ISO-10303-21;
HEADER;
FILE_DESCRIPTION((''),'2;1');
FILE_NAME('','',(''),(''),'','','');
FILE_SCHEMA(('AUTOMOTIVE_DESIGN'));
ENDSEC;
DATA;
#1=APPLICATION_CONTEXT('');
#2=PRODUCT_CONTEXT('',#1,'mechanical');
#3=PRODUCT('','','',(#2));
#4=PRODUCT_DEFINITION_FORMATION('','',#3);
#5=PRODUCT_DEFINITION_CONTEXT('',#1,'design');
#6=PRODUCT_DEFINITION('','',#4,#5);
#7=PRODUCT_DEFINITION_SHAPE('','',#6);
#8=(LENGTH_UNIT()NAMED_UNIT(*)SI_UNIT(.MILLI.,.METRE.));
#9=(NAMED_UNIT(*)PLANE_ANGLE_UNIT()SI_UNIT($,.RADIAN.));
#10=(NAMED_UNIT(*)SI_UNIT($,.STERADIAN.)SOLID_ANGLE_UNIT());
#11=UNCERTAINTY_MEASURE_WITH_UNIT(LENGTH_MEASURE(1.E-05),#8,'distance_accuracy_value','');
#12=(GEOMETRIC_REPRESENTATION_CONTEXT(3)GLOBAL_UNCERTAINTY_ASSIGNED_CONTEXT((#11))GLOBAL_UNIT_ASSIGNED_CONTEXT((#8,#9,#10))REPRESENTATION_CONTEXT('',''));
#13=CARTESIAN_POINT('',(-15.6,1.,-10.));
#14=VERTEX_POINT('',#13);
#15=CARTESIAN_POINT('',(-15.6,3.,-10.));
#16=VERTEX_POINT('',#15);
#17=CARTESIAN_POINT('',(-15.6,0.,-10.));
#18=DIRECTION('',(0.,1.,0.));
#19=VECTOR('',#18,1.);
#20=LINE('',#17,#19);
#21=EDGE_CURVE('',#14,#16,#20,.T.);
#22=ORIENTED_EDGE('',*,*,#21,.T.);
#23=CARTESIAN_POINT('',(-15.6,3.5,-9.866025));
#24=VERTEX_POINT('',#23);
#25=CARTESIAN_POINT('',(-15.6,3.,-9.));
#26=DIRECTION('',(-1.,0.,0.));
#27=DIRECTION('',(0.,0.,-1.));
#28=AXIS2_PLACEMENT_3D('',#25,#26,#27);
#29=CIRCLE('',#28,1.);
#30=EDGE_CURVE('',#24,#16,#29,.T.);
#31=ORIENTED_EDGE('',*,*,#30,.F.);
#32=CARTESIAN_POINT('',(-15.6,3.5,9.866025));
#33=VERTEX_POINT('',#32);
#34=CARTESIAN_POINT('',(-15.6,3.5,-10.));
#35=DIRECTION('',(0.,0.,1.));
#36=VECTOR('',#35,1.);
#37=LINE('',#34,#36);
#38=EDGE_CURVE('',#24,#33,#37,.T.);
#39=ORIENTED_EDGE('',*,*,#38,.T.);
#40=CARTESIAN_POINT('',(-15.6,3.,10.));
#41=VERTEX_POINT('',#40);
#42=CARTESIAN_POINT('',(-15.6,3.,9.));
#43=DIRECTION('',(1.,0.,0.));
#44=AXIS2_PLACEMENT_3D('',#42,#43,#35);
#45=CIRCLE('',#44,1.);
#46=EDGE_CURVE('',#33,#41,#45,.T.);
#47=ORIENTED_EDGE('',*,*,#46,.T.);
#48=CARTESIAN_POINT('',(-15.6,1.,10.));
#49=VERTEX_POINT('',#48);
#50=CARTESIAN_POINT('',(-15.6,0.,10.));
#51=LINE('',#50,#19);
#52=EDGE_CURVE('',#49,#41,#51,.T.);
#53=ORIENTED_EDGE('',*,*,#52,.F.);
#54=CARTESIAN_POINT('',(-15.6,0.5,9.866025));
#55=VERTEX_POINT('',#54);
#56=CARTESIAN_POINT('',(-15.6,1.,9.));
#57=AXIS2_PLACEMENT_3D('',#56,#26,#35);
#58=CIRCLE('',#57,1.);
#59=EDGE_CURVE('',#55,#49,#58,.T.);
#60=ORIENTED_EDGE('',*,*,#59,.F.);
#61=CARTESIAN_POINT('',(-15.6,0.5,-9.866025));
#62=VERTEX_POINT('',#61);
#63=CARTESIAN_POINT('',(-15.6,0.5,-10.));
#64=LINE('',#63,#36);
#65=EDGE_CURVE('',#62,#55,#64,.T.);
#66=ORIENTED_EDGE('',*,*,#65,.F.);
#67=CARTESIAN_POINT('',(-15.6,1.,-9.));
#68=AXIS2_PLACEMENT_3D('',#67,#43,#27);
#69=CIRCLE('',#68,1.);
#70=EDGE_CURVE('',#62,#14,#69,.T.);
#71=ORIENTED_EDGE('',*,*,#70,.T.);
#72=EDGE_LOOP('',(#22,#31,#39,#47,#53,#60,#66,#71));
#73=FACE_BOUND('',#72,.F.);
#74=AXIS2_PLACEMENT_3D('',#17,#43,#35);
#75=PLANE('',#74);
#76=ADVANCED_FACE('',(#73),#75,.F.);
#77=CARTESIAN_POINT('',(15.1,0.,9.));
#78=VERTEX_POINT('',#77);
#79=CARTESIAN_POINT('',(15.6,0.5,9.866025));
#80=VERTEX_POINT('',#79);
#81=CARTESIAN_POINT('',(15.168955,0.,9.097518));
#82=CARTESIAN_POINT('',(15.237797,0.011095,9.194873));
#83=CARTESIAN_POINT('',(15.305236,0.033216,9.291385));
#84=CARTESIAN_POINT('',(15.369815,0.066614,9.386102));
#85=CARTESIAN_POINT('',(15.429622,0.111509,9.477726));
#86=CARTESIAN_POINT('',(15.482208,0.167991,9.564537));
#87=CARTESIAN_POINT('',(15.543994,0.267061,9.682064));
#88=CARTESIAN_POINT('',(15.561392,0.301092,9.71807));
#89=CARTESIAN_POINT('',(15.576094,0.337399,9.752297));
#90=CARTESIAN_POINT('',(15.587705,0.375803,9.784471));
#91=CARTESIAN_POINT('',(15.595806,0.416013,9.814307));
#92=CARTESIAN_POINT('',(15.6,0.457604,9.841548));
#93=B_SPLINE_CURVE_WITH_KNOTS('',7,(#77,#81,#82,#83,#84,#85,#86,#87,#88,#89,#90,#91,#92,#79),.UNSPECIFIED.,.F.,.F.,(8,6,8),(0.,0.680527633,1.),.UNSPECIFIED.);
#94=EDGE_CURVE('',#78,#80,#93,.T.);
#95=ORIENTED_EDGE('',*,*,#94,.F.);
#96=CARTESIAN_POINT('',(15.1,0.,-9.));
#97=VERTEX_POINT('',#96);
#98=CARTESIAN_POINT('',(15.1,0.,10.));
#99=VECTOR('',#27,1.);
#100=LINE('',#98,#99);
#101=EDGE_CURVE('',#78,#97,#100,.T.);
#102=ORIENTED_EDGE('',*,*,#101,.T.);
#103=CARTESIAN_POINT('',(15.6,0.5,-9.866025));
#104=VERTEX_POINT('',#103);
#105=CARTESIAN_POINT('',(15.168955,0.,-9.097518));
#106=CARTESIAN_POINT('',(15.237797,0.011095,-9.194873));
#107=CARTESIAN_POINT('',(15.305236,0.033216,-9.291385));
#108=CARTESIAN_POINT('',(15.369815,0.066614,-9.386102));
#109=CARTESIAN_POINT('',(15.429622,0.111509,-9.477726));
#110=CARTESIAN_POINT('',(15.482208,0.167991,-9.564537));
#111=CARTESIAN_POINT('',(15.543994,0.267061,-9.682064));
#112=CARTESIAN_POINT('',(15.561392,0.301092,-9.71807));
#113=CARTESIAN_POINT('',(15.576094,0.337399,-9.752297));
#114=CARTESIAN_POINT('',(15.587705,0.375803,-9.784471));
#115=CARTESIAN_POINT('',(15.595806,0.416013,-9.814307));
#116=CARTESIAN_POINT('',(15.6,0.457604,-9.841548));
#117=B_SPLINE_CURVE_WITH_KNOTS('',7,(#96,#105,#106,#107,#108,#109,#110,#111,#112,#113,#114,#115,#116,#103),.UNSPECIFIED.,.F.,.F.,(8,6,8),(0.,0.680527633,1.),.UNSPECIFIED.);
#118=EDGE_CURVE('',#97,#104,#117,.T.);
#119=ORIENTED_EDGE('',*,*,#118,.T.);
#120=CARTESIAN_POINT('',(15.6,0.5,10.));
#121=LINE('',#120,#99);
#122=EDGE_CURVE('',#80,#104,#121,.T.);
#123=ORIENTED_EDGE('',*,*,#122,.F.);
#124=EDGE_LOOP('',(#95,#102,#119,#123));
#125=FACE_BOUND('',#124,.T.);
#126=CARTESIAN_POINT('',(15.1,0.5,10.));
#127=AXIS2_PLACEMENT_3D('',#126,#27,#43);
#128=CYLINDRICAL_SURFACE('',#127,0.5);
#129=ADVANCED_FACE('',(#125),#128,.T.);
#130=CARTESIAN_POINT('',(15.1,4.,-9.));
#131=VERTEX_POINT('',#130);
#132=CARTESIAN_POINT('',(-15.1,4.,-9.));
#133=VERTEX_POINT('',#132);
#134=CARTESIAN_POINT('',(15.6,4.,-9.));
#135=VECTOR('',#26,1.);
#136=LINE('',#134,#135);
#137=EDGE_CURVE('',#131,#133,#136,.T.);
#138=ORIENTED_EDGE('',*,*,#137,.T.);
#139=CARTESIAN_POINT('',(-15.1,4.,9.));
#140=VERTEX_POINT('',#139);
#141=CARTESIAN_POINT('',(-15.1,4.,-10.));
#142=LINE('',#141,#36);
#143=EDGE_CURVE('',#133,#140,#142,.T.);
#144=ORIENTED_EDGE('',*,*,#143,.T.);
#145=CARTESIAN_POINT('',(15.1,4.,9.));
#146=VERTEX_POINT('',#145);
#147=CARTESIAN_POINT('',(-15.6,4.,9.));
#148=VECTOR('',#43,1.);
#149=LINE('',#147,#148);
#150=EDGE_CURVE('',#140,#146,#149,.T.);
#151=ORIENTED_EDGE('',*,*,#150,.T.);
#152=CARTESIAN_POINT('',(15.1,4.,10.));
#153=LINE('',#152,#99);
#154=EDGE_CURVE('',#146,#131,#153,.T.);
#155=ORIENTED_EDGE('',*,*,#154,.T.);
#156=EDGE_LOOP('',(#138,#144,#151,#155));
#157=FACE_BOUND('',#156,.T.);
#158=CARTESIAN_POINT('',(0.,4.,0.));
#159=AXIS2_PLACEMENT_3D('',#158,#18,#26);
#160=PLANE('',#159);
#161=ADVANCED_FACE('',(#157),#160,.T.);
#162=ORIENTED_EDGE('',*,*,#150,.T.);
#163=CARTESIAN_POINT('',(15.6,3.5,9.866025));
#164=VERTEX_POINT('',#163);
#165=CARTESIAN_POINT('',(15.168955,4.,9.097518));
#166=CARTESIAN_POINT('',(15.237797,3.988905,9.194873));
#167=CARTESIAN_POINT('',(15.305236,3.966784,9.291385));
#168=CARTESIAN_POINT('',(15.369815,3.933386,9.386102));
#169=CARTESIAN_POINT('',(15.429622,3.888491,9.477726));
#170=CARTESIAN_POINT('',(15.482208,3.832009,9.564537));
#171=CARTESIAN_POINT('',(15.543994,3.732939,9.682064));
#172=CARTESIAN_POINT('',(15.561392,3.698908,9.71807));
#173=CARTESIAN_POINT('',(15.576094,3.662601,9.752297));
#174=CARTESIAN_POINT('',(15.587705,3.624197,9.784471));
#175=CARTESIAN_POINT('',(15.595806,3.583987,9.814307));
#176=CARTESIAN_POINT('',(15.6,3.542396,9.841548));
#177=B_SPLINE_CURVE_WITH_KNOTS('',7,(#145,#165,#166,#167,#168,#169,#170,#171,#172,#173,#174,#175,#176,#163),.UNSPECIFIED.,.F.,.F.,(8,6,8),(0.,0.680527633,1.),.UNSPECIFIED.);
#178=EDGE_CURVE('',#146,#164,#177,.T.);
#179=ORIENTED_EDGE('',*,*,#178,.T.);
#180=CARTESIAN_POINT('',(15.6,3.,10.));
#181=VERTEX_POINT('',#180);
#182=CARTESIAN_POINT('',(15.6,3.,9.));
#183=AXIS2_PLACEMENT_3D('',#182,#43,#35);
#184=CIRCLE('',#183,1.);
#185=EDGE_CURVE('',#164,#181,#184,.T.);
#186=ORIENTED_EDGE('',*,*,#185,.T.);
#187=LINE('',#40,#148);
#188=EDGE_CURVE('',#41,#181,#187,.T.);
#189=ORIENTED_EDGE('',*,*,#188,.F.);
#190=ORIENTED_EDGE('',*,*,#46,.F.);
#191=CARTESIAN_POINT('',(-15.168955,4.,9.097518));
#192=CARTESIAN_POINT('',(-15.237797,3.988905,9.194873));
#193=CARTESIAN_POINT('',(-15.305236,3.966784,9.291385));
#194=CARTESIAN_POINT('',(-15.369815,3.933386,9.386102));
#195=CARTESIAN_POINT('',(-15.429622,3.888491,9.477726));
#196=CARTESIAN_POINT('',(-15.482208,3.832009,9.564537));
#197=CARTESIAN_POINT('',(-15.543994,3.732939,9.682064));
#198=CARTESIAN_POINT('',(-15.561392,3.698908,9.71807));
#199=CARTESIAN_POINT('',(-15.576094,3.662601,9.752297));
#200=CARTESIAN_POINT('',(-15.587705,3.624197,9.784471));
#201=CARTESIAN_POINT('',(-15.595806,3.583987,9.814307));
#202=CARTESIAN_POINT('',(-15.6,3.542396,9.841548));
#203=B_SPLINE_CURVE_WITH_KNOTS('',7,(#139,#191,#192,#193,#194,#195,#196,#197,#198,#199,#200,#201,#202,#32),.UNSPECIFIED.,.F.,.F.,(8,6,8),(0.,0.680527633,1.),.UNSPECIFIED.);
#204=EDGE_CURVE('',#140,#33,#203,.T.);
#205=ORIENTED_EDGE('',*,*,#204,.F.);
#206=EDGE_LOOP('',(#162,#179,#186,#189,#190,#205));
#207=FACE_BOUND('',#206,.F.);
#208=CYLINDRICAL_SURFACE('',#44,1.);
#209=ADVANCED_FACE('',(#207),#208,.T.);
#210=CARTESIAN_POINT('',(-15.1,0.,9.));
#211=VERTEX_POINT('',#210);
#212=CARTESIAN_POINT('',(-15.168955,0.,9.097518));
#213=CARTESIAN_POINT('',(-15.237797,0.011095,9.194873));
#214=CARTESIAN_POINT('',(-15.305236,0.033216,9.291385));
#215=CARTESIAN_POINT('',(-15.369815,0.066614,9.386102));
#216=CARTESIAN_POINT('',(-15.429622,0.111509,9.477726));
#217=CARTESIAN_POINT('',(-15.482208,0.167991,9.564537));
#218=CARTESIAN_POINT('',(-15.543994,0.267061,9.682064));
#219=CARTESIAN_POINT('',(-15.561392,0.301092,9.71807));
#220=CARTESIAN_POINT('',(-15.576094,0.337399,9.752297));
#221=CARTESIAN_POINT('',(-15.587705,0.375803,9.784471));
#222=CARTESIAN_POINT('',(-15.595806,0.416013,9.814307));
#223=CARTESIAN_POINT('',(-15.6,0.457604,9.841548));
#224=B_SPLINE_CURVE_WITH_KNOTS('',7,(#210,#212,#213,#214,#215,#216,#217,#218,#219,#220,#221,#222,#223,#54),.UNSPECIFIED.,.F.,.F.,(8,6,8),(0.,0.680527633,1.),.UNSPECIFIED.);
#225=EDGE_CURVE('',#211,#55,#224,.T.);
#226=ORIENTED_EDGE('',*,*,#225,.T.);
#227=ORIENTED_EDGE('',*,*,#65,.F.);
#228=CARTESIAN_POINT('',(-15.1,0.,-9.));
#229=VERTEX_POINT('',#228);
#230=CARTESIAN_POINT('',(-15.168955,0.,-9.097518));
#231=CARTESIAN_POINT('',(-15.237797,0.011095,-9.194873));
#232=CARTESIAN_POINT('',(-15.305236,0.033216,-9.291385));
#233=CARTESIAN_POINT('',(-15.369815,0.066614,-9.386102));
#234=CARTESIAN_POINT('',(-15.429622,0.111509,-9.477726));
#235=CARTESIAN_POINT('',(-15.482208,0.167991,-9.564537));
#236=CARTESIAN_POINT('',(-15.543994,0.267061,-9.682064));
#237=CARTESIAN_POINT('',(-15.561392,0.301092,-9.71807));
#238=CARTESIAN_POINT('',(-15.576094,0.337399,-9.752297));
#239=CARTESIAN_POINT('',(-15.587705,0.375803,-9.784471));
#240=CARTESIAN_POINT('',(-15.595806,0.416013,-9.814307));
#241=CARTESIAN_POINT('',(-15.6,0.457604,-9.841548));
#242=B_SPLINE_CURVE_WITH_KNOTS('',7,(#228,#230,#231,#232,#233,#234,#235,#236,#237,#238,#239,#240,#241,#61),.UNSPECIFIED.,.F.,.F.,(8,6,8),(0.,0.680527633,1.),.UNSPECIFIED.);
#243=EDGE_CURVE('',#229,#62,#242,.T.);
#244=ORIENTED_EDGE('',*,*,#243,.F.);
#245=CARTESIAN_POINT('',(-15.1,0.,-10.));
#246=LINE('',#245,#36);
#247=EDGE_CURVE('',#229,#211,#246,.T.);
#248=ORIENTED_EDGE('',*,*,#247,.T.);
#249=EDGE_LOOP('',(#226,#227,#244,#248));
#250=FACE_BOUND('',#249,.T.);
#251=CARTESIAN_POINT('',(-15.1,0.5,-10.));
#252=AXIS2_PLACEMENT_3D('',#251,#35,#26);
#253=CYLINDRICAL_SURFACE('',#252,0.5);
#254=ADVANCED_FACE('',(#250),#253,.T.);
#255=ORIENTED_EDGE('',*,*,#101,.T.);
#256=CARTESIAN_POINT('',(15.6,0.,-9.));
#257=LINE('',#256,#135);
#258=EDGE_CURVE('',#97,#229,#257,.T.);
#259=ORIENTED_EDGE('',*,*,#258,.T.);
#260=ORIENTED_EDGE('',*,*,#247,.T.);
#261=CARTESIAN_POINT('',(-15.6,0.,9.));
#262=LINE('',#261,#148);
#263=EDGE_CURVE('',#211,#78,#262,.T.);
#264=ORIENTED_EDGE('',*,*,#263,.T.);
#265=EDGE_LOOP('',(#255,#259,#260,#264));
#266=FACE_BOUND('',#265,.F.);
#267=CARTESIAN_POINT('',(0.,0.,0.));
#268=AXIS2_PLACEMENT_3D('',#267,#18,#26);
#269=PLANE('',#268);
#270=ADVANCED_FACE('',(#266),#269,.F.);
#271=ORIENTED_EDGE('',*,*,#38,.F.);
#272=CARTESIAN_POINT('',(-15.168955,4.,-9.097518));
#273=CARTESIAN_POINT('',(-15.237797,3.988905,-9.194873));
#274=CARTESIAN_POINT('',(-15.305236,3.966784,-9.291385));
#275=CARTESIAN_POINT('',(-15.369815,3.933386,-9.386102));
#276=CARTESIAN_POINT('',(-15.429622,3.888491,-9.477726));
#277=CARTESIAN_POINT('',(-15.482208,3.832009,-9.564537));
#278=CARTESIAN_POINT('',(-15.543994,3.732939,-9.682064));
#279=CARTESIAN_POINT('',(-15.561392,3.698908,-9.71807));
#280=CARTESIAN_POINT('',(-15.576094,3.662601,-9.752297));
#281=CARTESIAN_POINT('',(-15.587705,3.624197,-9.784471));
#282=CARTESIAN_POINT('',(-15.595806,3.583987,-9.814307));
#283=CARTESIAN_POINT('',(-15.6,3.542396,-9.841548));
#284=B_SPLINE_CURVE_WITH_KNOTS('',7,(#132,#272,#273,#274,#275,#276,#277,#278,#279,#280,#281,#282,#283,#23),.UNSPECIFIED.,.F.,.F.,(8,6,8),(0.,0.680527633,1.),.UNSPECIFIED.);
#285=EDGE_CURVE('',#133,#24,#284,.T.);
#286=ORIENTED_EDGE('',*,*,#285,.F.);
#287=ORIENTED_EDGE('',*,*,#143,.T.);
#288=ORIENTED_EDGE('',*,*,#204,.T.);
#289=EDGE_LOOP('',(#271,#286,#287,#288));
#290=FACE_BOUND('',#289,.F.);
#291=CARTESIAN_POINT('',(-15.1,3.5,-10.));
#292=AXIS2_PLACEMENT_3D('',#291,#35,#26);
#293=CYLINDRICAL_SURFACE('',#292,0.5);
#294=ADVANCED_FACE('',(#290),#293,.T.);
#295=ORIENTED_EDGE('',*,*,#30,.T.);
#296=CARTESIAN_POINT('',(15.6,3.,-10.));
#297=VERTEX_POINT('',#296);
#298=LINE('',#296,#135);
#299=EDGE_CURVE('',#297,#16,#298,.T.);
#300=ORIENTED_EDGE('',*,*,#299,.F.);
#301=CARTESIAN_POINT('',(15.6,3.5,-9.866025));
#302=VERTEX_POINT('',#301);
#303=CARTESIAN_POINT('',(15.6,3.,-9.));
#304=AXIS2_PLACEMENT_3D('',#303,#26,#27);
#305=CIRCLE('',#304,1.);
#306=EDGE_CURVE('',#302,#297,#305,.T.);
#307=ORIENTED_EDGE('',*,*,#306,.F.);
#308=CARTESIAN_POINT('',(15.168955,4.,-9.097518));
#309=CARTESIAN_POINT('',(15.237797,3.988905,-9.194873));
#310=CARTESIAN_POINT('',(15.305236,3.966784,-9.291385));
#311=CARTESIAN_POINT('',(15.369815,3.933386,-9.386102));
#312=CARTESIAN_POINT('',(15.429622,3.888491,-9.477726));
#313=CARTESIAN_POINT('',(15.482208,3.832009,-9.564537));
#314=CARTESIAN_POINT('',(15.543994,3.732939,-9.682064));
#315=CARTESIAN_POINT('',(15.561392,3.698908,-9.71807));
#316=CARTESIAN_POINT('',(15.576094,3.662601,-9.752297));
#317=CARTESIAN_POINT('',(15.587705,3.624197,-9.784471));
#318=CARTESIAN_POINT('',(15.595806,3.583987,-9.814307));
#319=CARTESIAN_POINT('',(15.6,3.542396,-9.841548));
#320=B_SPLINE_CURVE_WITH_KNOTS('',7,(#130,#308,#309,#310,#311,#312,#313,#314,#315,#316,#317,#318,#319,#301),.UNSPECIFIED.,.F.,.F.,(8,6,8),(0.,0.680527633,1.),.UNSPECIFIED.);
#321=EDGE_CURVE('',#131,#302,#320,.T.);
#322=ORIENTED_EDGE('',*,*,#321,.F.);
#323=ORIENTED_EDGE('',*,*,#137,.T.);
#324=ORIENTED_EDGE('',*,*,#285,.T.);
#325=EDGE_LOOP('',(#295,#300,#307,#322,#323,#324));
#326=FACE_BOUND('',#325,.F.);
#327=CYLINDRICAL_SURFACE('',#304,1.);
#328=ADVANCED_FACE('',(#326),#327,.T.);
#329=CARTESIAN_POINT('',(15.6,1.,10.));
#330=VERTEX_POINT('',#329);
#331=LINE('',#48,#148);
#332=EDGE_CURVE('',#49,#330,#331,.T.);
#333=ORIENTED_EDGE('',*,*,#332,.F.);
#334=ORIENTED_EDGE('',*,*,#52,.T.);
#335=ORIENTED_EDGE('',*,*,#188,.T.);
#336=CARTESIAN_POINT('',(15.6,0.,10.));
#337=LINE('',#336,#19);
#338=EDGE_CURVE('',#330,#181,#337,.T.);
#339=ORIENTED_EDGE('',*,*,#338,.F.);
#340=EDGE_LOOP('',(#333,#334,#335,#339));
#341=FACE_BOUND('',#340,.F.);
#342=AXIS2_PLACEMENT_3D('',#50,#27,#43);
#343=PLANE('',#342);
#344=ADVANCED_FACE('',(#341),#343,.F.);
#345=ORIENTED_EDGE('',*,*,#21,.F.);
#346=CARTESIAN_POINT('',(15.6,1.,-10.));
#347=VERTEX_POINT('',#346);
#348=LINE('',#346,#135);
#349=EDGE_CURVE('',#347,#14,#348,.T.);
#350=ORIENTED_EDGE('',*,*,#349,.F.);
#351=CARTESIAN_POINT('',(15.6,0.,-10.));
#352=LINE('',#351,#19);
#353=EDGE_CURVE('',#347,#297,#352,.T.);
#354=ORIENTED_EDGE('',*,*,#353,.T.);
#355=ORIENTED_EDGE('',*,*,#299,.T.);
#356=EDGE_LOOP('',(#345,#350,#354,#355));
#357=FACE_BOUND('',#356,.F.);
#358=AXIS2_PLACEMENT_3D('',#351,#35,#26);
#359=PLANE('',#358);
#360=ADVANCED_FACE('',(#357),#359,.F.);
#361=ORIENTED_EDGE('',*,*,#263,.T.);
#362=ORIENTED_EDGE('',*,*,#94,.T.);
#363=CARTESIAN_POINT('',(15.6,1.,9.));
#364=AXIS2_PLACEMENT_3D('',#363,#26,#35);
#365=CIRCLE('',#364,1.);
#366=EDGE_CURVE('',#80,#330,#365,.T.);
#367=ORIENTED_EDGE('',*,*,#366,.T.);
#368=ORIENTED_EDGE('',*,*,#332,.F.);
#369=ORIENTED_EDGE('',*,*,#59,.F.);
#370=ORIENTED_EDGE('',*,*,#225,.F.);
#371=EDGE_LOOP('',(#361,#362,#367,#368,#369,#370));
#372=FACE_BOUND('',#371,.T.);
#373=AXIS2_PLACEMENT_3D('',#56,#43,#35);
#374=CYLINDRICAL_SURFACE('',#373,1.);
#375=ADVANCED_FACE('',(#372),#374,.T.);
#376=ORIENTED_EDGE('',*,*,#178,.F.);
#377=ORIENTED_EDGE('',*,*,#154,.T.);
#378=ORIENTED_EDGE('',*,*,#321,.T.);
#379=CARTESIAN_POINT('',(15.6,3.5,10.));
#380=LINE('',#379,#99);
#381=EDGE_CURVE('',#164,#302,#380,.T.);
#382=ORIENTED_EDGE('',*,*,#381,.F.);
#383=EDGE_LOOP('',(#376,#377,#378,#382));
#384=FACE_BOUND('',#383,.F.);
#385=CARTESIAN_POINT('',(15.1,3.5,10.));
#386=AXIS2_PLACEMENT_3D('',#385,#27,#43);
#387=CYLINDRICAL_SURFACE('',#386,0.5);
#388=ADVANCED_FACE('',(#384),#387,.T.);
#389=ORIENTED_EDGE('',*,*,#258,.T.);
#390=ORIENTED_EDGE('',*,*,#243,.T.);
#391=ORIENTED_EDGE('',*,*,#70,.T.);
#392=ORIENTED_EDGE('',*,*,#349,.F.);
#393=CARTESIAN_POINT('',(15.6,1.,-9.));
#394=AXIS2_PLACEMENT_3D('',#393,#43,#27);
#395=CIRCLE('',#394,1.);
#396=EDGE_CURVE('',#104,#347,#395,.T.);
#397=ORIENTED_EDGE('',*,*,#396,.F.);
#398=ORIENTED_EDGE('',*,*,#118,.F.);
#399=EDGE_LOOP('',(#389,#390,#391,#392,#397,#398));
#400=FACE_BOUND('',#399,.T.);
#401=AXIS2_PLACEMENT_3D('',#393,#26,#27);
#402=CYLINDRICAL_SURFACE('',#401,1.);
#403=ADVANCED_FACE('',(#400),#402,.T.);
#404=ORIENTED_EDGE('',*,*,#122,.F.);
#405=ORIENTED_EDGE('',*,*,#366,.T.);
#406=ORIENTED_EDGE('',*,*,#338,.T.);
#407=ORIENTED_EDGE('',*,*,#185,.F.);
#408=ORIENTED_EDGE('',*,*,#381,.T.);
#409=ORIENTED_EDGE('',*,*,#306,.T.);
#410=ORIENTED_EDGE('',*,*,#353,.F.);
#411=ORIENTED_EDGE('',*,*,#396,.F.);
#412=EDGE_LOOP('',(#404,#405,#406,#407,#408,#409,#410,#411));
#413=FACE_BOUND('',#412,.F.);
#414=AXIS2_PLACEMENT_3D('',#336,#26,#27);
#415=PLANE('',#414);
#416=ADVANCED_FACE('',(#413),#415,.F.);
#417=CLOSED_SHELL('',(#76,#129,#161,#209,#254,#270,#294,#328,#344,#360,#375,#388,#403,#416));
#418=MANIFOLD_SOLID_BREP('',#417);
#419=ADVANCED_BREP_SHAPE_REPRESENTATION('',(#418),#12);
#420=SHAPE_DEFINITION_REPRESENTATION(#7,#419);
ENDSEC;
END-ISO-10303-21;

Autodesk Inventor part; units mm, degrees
ref_plane "YZ Plane" through (0, 0, 0) normal (1, 0, 0) x (0, 1, 0)
ref_plane "XZ Plane" through (0, 0, 0) normal (0, 1, 0) x (-1, 0, 0)
ref_plane "XY Plane" through (0, 0, 0) normal (0, 0, 1) x (1, 0, 0)
sketch "Sketch1" plane through (0, 0, 0) normal (0, 1, 0) x (-1, 0, 0)
  line L0 (15.6, 10) -> (-15.6, 10)
  line L1 (-15.6, 10) -> (-15.6, -10)
  line L2 (-15.6, -10) -> (15.6, -10)
  line L3 (15.6, -10) -> (15.6, 10)
  line L4 (15.6, 10) -> (-15.6, -10) construction
  line L5 (-15.6, 10) -> (15.6, -10) construction
  point P0 (0, 0)
  dimension "d0" = 20
  dimension "d1" = 31.2
extrude "Extrusion1" add sketch "Sketch1" along normal blind 4
fillet "Fillet1" radius 1 4 edges at (0, 4, 10) (0, 0, 10) (0, 4, -10) (0, 0, -10)
fillet "Fillet1" radius 0.5 4 edges at (-15.6, 4, 0) (-15.6, 0, 0) (15.6, 4, 0) (15.6, 0, 0)
properties part number "Battery_402030"
